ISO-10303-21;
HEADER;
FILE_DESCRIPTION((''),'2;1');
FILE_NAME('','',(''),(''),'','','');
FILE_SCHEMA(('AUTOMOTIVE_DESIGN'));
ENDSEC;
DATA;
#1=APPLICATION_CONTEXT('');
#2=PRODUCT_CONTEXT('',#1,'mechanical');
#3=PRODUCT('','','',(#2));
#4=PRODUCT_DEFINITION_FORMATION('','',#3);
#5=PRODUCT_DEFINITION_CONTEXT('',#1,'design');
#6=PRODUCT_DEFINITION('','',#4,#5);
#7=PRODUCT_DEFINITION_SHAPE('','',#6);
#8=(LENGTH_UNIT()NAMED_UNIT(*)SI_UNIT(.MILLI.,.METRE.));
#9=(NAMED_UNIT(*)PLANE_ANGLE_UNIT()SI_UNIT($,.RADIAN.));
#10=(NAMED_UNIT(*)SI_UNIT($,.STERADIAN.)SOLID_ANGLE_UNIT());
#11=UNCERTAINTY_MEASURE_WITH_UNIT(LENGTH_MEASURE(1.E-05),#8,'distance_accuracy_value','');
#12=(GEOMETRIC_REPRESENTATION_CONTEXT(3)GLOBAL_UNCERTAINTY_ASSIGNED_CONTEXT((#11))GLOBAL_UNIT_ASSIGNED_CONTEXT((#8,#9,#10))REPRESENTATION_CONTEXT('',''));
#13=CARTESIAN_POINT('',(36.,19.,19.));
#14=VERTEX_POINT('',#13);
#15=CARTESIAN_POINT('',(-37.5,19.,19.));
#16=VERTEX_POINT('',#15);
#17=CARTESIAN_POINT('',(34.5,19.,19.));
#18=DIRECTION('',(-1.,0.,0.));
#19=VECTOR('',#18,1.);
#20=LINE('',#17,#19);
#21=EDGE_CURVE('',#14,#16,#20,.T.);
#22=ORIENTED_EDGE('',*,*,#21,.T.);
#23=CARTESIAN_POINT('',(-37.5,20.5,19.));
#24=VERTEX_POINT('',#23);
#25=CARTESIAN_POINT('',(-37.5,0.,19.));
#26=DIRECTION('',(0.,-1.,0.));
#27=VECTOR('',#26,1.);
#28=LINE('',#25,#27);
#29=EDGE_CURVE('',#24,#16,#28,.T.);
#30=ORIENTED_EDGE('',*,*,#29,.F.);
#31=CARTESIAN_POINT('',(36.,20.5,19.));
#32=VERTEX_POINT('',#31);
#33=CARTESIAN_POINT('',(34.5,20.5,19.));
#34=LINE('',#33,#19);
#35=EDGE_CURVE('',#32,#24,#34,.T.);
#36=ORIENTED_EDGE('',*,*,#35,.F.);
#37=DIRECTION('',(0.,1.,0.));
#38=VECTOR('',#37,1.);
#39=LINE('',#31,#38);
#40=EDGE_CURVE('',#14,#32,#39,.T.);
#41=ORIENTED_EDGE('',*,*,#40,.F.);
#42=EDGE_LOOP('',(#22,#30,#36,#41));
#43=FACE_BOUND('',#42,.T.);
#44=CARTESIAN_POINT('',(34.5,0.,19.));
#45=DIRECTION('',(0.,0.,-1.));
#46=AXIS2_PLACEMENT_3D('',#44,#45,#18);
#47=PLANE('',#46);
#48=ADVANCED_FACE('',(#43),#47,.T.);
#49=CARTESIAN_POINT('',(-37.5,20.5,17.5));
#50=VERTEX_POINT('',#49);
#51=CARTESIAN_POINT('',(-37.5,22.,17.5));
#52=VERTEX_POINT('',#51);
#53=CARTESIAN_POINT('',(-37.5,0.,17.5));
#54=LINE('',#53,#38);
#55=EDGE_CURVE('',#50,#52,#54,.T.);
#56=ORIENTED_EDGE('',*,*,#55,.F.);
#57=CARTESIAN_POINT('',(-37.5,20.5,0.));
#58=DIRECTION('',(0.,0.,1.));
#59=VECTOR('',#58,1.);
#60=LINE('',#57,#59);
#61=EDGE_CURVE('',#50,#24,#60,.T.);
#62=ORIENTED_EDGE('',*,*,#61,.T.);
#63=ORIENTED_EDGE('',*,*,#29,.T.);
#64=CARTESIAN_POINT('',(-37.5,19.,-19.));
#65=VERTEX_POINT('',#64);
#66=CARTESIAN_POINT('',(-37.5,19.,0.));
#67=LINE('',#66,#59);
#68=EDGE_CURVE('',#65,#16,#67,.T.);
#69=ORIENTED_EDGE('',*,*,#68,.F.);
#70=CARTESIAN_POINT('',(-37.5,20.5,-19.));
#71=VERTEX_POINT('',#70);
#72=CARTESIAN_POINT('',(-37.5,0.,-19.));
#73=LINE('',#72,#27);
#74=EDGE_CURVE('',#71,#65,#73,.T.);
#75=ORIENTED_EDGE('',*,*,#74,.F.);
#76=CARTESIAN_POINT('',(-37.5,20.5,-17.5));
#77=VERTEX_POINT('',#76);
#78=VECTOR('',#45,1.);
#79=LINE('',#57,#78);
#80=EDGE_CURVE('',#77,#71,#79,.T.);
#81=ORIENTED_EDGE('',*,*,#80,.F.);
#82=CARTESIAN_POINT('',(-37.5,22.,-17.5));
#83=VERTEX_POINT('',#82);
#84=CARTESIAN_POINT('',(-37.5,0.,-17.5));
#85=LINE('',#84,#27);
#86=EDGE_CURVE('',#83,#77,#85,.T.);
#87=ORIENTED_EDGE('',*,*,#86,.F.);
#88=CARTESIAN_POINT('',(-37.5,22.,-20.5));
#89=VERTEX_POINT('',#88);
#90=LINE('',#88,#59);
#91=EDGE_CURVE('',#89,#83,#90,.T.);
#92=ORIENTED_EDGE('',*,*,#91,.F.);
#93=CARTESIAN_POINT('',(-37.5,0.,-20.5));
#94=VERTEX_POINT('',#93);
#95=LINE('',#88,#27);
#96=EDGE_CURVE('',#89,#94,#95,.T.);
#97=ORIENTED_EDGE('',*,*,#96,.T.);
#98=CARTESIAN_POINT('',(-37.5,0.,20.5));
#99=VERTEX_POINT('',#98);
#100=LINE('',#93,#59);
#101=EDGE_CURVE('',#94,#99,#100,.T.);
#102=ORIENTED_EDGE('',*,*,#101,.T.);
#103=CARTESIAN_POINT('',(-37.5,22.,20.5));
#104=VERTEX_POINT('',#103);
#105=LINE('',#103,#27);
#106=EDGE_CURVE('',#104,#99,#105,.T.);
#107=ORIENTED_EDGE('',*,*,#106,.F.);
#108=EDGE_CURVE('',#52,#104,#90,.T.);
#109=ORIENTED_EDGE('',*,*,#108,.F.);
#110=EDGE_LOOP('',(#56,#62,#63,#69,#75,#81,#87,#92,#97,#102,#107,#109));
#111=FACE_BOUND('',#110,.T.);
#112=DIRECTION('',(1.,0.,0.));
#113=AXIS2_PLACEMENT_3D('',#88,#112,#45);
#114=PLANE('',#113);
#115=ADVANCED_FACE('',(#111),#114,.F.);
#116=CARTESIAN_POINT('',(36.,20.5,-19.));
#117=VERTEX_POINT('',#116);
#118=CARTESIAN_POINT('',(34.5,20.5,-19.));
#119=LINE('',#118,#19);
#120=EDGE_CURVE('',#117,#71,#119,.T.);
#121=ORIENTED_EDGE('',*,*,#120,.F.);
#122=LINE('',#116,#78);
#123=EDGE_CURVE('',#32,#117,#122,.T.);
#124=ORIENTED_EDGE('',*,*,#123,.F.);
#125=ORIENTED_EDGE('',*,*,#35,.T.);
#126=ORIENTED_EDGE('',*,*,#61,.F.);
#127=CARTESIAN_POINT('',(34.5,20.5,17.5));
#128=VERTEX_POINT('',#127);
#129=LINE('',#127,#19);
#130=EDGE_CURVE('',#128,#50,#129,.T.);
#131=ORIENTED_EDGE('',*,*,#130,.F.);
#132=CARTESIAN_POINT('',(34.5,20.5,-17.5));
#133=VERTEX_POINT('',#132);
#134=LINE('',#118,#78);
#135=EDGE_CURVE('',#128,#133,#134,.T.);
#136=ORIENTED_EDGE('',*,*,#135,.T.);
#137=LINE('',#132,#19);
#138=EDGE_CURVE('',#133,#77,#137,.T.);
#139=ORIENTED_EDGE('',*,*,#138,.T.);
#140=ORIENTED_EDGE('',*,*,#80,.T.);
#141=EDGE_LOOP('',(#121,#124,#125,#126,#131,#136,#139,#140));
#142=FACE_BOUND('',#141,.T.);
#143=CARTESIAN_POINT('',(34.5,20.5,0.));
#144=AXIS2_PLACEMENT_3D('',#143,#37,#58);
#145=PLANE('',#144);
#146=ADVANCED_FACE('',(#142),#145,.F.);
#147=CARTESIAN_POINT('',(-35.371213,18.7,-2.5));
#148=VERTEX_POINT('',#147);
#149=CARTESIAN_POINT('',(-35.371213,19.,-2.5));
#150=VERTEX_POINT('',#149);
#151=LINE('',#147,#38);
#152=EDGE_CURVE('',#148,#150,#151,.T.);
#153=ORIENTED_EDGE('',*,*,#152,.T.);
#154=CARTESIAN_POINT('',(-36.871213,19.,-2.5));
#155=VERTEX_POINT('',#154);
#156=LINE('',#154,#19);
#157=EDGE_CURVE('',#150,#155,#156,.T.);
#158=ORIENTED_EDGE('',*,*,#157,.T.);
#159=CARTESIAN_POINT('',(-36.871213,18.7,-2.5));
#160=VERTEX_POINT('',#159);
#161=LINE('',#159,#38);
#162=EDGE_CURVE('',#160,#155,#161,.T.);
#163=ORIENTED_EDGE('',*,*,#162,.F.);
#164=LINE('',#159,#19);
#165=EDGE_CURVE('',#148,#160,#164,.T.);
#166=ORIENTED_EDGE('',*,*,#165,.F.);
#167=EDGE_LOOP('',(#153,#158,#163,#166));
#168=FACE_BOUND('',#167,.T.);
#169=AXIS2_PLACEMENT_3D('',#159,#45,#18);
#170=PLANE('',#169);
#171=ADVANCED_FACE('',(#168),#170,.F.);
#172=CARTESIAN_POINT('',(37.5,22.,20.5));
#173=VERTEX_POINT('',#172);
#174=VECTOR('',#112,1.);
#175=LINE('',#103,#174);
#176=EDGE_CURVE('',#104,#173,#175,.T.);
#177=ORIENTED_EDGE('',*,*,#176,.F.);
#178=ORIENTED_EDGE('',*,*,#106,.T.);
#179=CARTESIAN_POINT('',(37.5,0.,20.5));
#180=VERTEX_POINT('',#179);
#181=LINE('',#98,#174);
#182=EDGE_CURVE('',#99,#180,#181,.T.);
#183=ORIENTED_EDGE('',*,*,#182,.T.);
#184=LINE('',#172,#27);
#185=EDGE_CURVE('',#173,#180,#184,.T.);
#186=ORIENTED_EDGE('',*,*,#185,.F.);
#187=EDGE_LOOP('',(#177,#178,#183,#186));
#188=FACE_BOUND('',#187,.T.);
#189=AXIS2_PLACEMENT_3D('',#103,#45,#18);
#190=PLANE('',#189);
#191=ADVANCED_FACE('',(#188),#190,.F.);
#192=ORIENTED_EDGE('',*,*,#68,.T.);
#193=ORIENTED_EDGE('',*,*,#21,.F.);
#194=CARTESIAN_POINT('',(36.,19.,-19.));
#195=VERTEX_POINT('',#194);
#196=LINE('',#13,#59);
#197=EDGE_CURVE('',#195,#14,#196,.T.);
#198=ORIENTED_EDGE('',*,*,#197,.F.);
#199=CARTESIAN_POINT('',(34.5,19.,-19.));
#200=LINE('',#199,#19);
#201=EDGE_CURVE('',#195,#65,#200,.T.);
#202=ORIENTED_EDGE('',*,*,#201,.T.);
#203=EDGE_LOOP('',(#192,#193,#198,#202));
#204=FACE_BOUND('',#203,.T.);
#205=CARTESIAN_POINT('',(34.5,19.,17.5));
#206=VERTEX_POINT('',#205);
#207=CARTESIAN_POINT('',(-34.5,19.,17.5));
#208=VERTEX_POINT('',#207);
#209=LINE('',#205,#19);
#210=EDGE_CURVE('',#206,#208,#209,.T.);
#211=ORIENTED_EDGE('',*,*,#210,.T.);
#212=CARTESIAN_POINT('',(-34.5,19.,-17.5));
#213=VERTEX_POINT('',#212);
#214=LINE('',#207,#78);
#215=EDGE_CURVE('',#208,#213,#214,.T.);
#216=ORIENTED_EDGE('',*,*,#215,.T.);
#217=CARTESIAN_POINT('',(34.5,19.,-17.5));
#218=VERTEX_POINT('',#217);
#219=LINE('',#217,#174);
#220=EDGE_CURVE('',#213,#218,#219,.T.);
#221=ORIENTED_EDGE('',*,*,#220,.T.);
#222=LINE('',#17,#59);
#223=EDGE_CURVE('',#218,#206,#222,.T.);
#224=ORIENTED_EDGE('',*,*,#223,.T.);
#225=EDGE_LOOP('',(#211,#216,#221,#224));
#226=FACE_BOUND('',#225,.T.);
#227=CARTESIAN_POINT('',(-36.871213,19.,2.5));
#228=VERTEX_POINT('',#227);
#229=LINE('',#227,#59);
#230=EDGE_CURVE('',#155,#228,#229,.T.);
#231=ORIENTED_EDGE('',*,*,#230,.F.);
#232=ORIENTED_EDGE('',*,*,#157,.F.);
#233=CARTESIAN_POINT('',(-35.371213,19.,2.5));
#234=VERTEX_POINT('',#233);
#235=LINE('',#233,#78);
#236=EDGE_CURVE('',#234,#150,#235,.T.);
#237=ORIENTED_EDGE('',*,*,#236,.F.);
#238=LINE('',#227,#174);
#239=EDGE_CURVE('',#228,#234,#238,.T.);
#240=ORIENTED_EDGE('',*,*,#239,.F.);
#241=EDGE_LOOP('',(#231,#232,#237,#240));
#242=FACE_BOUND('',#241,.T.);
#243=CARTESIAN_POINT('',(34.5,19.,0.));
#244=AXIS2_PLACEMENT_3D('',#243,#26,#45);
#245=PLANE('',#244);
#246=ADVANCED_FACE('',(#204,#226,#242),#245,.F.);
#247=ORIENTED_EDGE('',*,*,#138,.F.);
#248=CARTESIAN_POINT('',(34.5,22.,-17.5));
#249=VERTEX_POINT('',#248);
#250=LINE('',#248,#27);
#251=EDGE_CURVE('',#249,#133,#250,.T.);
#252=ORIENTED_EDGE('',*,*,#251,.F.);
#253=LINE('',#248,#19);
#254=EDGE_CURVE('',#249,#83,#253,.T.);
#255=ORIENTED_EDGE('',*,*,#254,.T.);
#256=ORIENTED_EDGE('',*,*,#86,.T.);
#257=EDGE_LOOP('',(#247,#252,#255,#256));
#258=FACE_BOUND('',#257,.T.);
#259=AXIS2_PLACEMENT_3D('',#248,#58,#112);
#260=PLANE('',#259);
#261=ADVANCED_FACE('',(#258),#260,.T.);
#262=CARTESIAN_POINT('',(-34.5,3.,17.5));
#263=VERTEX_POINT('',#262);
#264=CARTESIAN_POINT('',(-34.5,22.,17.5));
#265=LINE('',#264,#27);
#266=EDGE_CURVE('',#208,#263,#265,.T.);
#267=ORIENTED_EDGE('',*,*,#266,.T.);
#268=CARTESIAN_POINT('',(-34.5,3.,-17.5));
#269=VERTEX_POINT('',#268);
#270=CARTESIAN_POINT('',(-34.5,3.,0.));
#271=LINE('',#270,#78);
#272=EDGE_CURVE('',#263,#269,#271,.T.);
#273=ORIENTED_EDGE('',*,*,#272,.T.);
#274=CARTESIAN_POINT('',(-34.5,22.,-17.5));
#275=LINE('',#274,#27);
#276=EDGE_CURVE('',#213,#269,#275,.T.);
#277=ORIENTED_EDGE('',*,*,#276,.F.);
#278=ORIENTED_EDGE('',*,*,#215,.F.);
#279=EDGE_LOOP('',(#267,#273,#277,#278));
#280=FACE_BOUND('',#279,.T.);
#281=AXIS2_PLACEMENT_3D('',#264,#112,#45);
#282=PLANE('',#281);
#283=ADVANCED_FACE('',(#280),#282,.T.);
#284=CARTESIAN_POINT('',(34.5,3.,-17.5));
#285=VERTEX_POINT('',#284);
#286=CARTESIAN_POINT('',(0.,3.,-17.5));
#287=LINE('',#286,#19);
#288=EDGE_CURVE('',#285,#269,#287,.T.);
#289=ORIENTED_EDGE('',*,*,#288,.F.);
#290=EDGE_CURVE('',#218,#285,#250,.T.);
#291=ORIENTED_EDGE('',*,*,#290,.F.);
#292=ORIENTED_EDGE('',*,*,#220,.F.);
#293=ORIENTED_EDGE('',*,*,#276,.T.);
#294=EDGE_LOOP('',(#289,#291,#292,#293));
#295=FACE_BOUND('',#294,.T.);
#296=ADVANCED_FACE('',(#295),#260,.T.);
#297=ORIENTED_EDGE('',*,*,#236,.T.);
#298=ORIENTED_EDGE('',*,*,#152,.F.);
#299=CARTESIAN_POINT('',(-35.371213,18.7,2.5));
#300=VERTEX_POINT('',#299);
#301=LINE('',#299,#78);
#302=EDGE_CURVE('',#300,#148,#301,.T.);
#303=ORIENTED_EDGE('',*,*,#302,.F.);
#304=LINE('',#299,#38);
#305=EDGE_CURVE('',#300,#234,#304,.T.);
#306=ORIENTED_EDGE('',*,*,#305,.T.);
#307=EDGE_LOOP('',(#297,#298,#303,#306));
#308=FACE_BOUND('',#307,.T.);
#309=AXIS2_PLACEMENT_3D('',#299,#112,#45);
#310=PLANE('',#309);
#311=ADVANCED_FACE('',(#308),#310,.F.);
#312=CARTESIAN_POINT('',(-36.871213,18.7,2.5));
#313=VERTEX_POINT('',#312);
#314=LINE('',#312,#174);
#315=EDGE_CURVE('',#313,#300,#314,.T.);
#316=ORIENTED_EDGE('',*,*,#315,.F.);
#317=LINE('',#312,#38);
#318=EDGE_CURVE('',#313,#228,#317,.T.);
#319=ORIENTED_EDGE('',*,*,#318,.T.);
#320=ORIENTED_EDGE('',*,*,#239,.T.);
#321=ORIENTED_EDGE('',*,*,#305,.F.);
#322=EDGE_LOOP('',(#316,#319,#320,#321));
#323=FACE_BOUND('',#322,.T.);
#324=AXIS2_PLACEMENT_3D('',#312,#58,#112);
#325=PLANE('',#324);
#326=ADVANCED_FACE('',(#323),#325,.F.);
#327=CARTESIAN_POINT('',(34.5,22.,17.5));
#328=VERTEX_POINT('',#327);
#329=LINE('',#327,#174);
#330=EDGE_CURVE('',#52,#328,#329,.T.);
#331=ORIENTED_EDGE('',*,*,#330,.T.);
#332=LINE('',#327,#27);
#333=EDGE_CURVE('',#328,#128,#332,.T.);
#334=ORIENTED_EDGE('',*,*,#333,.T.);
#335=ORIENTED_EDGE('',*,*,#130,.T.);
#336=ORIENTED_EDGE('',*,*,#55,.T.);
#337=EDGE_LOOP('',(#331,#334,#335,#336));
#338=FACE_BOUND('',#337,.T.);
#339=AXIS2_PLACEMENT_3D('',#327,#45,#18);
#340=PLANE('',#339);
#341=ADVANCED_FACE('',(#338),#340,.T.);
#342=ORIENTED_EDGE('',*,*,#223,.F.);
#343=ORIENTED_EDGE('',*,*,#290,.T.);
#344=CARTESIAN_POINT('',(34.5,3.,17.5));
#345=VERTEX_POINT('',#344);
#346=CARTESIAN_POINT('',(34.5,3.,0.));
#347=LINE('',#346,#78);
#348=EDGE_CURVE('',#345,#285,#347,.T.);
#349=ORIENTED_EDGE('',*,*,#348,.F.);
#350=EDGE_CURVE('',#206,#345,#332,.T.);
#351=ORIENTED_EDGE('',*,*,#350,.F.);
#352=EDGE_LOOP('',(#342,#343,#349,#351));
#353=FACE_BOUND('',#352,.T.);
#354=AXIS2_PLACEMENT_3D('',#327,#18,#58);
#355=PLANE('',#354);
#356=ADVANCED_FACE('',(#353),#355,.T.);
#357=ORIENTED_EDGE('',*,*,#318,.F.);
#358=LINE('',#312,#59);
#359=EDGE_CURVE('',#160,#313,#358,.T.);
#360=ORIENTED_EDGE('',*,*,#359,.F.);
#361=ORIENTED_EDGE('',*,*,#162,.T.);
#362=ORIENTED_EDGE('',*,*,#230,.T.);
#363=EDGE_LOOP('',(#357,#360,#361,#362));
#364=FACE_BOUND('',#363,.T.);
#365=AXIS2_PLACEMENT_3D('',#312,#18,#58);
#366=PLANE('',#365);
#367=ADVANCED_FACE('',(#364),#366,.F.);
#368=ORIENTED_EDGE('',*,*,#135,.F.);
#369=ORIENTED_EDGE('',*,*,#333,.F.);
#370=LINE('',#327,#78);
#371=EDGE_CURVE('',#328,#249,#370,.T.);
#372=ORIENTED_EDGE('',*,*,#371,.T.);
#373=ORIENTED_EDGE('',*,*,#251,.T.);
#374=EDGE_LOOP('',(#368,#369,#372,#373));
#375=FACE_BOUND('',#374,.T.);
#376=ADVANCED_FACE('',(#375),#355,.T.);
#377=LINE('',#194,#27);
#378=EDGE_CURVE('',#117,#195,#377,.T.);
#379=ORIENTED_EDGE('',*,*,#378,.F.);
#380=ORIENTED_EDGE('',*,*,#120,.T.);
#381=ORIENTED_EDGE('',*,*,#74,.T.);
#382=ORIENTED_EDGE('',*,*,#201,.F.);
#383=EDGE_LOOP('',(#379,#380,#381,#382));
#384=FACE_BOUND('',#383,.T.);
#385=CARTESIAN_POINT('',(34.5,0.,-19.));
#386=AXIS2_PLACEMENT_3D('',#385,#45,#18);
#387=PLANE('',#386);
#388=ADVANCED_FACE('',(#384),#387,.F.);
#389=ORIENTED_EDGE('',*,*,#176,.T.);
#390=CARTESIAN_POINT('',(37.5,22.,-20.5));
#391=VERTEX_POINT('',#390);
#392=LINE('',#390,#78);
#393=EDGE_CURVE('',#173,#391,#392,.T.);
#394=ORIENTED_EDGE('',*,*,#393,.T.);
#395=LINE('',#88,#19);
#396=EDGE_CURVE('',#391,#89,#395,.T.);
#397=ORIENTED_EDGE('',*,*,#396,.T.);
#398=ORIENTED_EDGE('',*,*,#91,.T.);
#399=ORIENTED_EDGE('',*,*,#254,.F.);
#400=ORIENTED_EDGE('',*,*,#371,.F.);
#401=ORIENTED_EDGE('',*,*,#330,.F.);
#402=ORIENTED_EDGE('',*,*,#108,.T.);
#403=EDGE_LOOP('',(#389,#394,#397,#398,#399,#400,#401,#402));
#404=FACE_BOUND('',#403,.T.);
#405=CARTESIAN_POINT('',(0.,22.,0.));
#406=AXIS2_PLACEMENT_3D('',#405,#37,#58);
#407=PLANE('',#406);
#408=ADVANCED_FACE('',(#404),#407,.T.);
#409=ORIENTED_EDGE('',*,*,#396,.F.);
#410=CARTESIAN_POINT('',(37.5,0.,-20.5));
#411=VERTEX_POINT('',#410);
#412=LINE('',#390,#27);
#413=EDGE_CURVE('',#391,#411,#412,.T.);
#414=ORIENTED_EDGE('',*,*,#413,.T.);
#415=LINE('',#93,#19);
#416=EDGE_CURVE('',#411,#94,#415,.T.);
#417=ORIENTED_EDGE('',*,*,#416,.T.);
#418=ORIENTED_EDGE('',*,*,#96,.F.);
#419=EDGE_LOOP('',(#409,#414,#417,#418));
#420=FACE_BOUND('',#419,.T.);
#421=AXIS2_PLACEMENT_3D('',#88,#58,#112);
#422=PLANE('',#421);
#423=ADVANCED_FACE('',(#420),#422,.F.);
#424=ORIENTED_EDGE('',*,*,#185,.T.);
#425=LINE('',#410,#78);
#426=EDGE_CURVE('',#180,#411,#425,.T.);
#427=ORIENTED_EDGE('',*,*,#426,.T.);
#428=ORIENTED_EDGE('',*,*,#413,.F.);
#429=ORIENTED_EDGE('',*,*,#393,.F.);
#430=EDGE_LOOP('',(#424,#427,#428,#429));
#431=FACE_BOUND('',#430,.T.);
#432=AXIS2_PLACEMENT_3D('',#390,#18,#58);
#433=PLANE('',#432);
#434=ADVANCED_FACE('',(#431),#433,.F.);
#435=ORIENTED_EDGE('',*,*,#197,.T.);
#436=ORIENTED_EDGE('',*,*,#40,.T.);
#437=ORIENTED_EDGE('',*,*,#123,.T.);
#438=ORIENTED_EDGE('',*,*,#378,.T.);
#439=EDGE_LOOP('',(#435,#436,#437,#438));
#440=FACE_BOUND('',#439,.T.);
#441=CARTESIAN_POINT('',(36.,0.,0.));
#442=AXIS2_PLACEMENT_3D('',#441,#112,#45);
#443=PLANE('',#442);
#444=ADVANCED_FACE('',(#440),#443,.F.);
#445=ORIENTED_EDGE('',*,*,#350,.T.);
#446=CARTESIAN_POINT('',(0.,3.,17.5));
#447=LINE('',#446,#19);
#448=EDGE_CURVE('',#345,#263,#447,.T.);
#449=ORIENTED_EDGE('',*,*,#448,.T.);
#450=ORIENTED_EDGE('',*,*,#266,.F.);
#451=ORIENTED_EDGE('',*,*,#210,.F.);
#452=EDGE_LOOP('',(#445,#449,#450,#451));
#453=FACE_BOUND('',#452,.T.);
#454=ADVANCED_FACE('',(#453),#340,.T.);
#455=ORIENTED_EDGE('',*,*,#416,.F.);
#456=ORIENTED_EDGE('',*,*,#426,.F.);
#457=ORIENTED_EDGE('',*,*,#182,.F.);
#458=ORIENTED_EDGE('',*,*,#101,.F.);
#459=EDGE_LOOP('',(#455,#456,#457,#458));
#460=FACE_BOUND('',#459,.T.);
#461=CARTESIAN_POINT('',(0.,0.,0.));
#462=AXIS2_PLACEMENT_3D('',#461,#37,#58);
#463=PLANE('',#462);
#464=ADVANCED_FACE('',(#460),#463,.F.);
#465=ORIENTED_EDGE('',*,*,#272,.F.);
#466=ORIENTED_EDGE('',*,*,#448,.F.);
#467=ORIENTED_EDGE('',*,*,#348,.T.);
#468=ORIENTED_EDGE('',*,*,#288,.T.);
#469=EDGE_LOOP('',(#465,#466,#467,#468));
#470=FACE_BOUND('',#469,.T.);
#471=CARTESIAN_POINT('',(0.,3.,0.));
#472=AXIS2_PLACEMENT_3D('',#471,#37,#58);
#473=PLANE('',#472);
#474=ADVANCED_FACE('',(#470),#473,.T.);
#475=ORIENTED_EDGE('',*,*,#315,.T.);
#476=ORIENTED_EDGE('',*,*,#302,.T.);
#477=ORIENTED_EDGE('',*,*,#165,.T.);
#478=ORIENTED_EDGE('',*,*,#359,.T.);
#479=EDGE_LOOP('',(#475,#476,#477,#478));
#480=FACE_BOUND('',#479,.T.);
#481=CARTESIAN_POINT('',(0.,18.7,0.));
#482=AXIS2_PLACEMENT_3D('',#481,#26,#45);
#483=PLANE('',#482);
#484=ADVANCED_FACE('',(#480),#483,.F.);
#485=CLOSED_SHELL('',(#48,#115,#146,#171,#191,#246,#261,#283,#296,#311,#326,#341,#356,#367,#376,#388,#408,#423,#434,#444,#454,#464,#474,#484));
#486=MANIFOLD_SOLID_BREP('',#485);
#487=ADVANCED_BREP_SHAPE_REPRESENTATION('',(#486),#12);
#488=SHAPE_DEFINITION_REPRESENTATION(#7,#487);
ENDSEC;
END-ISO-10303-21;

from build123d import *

# Parameters (mm, degrees)
CROQUIS1_W              = 75
CROQUIS1_H              = 41
CROQUIS1_W_2            = 69
CROQUIS1_H_2            = 35
SALIENTE_EXTRUIR1_DEPTH = 22
CROQUIS1_2_W            = 69
CROQUIS1_2_H            = 35
SALIENTE_EXTRUIR2_DEPTH = 3
CORTAR_EXTRUIR1_DEPTH   = 72
CROQUIS4_W              = 38
CROQUIS4_H              = 1.5
CORTAR_EXTRUIR2_DEPTH   = 1.5
CROQUIS7_W              = 1.5
CROQUIS7_H              = 5
CORTAR_EXTRUIR3_DEPTH   = 0.3


with BuildPart() as part:
    # Croquis1 → Saliente-Extruir1 (new body)
    with BuildSketch(Plane(origin=(0, 0, 0), x_dir=(1, 0, 0), z_dir=(0, 1, 0))):
        Rectangle(CROQUIS1_W, CROQUIS1_H)
        Rectangle(CROQUIS1_W_2, CROQUIS1_H_2, mode=Mode.SUBTRACT)
    extrude(amount=SALIENTE_EXTRUIR1_DEPTH)

    # Croquis1<2> → Saliente-Extruir2 (add)
    with BuildSketch(Plane(origin=(0, 0, 0), x_dir=(1, 0, 0), z_dir=(0, 1, 0))):
        Rectangle(CROQUIS1_2_W, CROQUIS1_2_H)
    extrude(amount=SALIENTE_EXTRUIR2_DEPTH)

    # Croquis3 → Cortar-Extruir1 (cut)
    with BuildSketch(Plane.ZY.offset(37.5)):
        Polygon((17.5, 22), (-17.5, 22), (-17.5, 20.5), (-19, 20.5), (-19, 19), (19, 19), (19, 20.5), (17.5, 20.5), align=None)
    extrude(amount=-CORTAR_EXTRUIR1_DEPTH, mode=Mode.SUBTRACT)

    # Croquis4 → Cortar-Extruir2 (cut)
    with BuildSketch(Plane.ZY.offset(-34.5)):
        with Locations((0, 19.75)):
            Rectangle(CROQUIS4_W, CROQUIS4_H)
    extrude(amount=-CORTAR_EXTRUIR2_DEPTH, mode=Mode.SUBTRACT)

    # Croquis7 → Cortar-Extruir3 (cut)
    with BuildSketch(Plane(origin=(0, 19, 0), x_dir=(1, 0, 0), z_dir=(0, 1, 0))):
        with Locations((-36.121212609, 0)):
            Rectangle(CROQUIS7_W, CROQUIS7_H)
    extrude(amount=-CORTAR_EXTRUIR3_DEPTH, mode=Mode.SUBTRACT)


solid = part.part
